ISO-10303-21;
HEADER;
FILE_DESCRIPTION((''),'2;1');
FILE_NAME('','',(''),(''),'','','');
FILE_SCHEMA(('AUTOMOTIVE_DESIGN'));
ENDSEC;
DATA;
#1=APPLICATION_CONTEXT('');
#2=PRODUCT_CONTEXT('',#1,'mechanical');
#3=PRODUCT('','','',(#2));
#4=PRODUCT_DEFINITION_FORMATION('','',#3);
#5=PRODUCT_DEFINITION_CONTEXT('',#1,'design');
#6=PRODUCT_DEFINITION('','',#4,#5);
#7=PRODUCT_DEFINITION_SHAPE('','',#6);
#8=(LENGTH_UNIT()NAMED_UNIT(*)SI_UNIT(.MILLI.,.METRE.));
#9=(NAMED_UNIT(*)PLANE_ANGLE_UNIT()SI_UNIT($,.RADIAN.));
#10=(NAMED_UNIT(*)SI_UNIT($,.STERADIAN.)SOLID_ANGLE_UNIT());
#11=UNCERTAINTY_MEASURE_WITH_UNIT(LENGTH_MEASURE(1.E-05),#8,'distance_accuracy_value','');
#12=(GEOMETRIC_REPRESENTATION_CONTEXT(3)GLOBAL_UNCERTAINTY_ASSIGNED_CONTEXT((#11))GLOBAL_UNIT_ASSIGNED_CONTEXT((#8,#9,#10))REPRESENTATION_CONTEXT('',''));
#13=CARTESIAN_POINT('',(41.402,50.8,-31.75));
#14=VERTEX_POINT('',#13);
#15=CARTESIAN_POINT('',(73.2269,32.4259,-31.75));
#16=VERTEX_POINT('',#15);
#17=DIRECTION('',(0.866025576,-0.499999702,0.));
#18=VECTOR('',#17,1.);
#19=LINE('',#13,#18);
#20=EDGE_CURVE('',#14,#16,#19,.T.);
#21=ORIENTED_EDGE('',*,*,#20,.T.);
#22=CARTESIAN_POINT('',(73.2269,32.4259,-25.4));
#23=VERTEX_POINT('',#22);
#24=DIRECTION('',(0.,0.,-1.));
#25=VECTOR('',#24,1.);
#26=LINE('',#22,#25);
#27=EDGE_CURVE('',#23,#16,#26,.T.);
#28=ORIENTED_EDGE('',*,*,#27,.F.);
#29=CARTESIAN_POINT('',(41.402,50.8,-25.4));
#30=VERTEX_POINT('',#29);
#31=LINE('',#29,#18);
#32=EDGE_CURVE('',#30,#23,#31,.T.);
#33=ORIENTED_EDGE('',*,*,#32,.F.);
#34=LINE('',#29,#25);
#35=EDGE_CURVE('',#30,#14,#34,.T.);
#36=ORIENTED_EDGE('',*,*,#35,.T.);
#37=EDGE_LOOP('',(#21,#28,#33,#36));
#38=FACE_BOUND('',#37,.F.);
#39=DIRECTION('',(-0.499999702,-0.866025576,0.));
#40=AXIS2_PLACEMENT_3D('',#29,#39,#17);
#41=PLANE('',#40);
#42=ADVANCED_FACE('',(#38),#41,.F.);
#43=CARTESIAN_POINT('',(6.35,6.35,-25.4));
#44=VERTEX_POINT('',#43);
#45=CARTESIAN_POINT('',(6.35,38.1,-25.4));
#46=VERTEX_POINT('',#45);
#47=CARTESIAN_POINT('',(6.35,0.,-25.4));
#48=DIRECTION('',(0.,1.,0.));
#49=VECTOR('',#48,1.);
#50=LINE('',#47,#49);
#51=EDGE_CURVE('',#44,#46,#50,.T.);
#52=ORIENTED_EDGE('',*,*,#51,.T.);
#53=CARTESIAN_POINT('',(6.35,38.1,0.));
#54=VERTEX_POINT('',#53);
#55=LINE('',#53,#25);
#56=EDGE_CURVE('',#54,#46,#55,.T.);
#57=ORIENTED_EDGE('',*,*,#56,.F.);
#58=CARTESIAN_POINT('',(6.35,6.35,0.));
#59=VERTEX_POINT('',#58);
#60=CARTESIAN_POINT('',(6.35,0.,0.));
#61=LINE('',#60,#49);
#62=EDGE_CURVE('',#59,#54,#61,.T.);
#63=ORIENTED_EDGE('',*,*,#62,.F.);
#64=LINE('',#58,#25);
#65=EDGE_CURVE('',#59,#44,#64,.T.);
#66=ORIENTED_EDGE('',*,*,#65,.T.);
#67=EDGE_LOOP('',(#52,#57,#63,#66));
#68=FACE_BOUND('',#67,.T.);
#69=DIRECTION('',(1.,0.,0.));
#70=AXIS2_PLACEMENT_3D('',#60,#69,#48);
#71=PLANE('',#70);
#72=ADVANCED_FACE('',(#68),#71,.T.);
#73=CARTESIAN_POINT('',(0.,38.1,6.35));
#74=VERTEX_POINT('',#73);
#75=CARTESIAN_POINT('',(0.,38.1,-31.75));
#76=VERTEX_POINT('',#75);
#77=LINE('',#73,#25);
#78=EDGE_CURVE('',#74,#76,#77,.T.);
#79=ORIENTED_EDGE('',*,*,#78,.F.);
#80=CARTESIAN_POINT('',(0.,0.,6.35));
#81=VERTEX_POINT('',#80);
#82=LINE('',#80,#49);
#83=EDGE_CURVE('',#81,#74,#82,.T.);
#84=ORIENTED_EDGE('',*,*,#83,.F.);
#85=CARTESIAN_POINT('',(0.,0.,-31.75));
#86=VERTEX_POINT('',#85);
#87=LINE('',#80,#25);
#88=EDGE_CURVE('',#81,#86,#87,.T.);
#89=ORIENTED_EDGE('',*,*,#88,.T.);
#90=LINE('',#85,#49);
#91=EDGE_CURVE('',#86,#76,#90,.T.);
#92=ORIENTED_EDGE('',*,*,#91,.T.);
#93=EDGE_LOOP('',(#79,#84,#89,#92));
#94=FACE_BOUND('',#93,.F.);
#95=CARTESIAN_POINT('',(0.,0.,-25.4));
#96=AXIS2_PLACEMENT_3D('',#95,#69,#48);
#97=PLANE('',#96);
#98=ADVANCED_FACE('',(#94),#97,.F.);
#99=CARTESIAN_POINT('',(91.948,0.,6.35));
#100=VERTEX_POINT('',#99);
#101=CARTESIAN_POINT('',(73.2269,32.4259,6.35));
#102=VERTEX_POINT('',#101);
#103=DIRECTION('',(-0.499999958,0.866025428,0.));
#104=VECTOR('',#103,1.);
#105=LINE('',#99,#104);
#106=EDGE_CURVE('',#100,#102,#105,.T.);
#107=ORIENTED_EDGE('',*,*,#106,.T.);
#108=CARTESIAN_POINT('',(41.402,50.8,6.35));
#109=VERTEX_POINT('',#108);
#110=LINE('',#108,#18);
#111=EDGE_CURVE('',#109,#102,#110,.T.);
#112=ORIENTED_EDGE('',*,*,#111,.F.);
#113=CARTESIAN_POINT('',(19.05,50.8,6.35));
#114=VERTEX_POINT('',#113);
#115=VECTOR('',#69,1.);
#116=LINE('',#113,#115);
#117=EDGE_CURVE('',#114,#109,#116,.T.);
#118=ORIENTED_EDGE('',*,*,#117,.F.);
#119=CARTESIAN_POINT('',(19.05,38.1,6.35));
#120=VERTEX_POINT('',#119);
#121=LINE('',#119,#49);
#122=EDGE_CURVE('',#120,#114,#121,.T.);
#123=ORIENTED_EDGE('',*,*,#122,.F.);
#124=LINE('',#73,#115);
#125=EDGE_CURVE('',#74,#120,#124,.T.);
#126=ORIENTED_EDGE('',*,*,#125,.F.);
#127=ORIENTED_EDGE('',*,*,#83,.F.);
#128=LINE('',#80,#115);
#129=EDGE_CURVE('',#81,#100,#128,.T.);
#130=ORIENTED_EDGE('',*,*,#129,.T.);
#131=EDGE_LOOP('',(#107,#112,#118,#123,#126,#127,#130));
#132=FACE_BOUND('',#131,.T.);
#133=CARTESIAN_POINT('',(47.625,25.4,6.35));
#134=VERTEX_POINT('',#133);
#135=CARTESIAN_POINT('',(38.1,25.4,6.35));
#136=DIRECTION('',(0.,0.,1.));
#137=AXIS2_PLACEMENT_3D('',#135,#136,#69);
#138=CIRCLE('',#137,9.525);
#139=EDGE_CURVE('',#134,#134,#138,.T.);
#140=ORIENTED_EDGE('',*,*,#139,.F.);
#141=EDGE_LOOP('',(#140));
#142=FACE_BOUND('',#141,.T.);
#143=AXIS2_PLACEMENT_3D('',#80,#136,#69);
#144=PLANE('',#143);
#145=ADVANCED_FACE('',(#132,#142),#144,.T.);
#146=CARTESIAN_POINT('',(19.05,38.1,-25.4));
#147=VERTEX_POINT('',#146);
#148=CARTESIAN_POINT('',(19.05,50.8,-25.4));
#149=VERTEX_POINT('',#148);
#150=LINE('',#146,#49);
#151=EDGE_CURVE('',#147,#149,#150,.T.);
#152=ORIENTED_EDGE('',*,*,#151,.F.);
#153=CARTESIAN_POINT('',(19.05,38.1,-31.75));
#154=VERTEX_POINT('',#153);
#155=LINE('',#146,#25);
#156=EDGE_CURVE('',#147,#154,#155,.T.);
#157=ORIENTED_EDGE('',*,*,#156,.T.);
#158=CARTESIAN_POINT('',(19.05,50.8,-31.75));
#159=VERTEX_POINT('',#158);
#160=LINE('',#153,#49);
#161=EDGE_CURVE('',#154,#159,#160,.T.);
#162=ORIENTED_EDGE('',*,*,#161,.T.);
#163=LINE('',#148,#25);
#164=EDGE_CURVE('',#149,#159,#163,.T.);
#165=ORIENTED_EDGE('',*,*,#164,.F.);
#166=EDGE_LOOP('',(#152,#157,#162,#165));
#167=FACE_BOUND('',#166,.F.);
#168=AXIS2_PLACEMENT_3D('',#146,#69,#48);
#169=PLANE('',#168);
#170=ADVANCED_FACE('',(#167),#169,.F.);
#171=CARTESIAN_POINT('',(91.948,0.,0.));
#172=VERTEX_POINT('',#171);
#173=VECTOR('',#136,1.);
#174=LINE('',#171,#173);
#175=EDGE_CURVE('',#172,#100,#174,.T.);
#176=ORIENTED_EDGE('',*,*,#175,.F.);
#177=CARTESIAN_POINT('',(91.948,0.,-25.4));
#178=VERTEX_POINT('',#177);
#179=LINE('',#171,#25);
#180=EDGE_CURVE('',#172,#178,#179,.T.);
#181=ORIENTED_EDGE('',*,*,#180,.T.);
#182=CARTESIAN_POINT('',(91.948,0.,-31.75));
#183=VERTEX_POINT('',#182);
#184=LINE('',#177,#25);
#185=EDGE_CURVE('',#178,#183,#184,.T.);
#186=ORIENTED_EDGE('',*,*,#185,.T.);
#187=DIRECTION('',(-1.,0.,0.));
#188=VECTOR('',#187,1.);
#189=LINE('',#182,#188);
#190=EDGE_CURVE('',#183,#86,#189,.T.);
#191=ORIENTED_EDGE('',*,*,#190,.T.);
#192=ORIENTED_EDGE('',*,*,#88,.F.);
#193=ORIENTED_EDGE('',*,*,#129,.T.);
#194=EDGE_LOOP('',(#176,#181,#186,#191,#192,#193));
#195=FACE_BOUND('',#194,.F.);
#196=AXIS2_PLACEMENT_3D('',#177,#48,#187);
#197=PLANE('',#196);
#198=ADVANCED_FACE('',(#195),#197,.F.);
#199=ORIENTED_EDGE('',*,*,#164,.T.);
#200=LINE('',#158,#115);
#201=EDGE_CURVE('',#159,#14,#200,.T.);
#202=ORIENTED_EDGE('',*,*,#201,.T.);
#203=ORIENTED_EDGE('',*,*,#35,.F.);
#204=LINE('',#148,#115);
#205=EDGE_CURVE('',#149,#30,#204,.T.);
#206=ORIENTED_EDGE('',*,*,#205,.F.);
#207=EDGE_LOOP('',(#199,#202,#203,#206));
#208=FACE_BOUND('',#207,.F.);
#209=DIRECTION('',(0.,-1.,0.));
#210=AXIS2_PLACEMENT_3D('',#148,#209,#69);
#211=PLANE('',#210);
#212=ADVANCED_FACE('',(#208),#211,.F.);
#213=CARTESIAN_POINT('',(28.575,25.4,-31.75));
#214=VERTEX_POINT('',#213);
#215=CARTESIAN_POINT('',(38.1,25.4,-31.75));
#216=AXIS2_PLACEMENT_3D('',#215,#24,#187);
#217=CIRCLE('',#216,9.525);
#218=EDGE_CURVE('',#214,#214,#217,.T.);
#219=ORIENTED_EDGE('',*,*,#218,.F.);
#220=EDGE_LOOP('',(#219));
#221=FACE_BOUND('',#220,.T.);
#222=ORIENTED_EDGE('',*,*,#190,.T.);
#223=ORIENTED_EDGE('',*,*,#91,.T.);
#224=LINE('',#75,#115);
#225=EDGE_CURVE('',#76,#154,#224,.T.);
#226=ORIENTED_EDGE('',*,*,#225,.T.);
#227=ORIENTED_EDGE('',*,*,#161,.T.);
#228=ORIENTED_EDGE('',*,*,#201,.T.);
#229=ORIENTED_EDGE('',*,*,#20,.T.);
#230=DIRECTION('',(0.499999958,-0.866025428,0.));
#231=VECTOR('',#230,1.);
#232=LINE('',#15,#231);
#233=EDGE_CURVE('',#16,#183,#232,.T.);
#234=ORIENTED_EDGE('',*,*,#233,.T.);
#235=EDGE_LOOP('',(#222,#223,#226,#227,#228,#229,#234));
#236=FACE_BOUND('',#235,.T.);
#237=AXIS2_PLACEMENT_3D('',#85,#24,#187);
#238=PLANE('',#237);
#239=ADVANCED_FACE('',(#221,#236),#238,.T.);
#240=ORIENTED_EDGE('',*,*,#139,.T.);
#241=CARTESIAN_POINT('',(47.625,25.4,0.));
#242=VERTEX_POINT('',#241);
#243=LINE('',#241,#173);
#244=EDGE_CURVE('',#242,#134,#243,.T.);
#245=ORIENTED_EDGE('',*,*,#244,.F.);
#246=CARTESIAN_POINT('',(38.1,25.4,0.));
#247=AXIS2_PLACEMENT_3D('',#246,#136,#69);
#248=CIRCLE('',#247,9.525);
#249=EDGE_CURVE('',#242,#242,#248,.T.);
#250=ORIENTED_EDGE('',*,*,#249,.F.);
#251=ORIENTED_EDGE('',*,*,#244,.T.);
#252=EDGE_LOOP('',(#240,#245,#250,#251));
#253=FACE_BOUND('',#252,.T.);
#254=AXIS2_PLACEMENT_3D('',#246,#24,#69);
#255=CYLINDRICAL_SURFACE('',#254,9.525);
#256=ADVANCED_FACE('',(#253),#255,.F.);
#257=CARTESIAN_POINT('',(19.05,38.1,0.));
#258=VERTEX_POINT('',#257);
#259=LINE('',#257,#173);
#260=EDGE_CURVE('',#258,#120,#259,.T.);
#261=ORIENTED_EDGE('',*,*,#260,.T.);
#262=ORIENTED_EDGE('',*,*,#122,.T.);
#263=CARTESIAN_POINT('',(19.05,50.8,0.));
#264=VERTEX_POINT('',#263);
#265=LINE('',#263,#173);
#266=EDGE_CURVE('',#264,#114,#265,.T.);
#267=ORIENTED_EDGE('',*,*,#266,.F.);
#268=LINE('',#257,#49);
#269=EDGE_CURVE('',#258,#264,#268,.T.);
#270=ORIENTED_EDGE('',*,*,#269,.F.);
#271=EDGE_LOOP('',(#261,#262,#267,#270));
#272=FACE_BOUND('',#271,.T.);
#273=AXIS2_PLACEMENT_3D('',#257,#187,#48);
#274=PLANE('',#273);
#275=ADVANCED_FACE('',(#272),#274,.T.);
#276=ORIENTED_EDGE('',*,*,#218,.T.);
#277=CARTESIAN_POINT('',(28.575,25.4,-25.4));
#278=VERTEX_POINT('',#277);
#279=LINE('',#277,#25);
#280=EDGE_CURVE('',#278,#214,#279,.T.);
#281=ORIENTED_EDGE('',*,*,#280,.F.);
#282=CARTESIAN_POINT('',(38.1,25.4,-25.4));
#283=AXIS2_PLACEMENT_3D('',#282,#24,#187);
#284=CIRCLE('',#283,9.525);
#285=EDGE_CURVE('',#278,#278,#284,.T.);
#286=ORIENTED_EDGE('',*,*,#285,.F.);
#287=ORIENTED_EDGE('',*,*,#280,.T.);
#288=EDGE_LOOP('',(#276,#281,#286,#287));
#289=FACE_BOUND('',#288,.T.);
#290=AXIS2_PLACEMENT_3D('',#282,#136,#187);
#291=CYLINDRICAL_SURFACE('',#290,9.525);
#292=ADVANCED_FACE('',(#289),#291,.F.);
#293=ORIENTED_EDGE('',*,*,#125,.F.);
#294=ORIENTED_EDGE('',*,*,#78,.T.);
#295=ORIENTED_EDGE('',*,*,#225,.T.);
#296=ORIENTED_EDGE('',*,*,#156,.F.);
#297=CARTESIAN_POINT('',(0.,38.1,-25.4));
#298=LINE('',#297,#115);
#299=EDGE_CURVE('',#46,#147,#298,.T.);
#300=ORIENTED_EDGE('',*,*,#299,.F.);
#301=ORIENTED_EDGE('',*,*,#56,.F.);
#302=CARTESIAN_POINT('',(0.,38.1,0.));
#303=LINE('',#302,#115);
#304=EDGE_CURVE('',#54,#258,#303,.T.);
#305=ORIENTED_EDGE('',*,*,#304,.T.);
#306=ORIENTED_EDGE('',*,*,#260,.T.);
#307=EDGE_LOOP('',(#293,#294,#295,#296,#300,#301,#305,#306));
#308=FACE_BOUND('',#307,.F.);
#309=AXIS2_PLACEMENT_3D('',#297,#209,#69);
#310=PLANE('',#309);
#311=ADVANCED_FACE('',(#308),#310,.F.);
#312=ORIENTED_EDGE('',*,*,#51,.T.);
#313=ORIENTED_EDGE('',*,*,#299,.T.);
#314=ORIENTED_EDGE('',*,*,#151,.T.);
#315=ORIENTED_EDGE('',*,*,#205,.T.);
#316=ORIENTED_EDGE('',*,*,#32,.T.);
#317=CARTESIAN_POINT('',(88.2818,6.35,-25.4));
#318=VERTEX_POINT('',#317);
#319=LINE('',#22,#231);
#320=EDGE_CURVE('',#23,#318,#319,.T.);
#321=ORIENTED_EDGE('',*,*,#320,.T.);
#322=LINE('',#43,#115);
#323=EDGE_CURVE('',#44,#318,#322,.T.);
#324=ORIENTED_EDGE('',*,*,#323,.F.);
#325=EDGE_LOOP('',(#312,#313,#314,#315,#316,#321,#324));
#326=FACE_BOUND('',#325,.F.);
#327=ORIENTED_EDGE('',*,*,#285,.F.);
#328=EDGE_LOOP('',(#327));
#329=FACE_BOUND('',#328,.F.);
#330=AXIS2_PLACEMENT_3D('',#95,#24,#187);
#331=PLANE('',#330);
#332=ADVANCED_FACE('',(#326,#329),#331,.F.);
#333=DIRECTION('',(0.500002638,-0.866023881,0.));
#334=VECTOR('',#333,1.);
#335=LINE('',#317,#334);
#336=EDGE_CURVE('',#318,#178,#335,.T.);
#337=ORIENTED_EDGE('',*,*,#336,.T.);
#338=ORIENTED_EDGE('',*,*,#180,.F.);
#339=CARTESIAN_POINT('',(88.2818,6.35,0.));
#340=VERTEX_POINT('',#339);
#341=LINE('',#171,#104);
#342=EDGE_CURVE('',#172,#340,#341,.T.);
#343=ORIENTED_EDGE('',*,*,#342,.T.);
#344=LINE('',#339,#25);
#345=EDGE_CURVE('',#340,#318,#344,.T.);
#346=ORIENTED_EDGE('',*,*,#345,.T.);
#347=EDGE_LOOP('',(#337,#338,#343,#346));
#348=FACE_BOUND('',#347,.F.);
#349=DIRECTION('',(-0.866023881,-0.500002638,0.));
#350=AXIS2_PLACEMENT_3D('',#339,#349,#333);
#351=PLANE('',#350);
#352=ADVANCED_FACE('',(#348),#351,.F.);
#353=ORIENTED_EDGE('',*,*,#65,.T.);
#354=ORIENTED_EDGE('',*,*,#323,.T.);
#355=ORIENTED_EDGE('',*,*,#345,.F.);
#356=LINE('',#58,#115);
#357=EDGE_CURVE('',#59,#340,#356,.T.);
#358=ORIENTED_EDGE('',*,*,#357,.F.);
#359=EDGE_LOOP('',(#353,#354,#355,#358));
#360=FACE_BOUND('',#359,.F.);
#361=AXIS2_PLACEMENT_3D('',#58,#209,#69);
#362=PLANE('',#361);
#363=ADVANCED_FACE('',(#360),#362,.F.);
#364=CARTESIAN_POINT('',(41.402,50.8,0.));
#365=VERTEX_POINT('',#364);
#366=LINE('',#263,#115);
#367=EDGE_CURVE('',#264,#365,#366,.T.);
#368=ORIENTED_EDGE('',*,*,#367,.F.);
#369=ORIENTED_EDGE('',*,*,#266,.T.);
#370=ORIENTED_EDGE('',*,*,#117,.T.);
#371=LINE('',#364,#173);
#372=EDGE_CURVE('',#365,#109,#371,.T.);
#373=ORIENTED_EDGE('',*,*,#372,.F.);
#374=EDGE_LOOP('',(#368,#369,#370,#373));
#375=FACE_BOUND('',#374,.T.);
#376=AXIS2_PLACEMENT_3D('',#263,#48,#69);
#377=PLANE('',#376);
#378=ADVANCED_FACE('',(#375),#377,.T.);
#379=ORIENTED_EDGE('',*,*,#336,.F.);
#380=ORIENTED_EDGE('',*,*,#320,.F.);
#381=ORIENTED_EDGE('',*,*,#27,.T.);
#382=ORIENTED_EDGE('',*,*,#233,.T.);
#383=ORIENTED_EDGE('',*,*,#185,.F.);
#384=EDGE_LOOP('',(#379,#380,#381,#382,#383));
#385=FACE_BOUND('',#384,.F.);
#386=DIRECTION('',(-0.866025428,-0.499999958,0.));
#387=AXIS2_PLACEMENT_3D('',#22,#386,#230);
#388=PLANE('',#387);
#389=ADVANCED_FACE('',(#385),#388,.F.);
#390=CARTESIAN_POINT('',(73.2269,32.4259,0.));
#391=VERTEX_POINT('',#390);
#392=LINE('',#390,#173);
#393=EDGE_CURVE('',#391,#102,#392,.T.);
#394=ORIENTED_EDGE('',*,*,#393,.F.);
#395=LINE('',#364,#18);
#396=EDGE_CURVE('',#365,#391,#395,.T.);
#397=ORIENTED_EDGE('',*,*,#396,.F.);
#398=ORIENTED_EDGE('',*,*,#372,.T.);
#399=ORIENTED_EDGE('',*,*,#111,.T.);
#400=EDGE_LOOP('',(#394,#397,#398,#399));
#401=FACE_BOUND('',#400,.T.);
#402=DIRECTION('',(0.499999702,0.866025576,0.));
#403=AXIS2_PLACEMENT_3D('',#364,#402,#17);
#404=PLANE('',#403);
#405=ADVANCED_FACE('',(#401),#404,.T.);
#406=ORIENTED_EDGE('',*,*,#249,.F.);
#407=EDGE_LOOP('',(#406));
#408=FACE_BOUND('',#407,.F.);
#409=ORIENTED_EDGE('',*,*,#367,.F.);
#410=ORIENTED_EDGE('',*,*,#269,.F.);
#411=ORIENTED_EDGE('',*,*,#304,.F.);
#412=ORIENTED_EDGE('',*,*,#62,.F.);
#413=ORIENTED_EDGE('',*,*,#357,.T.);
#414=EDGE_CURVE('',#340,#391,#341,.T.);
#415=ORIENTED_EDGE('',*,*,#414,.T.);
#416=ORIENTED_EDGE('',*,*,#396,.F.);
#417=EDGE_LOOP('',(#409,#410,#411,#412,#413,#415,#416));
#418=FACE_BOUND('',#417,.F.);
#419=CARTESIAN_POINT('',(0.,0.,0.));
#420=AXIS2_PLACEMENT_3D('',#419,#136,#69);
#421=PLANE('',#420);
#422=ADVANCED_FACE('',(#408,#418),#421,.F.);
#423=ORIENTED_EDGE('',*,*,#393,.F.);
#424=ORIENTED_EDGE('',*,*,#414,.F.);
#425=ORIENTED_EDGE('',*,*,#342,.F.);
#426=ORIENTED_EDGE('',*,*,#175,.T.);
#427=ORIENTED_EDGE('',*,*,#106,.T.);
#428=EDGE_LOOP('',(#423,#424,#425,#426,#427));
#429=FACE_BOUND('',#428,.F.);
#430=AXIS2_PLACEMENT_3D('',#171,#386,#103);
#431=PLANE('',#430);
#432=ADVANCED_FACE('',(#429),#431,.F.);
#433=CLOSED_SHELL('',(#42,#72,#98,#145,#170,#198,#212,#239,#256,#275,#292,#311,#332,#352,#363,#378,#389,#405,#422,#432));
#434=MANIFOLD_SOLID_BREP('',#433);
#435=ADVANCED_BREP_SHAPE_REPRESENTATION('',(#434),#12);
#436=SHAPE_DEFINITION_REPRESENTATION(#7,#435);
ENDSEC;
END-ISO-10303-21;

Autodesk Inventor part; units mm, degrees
ref_plane "YZ Plane" through (0, 0, 0) normal (1, 0, 0) x (0, 1, 0)
ref_plane "XZ Plane" through (0, 0, 0) normal (0, 1, 0) x (-1, 0, 0)
ref_plane "XY Plane" through (0, 0, 0) normal (0, 0, 1) x (1, 0, 0)
sketch "Sketch1" plane through (0, 0, 0) normal (0, 0, 1) x (1, 0, 0)
  line L0 (0, 0) -> (91.948, 0)
  line L1 (0, 0) -> (0, 38.1)
  line L2 (0, 38.1) -> (19.05, 38.1)
  line L3 (19.05, 38.1) -> (19.05, 50.8)
  line L4 (19.05, 50.8) -> (41.402, 50.8)
  line L5 (91.948, 0) -> (223.0777, 0) construction
  line L6 (41.402, 50.8) -> (73.2269, 32.4259)
  line L7 (91.948, 0) -> (73.2269, 32.4259)
  circle A0 centre (38.1, 25.4) radius 9.525
  dimension "d3" = 12.7
  dimension "d7" = 19.05
  dimension "d8" = 50.8
  dimension "d9" = 41.402
  dimension "d10" = 60
  dimension "d11" = 30
  dimension "d12" = 19.05
  dimension "d13" = 38.1
  dimension "d14" = 25.4
extrude "Extrusion1" add sketch "Sketch1" along normal blind 6.35
sketch "Sketch2" plane through (0, 0, 0) normal (0, 0, -1) x (-1, 0, 0)
  line L0 (-19.05, 38.1) -> (0, 38.1) projected
  line L1 (0, 0) -> (-6.35, 0)
  line L2 (-6.35, 0) -> (-6.35, 38.1)
  line L3 (-6.35, 38.1) -> (0, 38.1)
  line L4 (0, 38.1) -> (0, 0)
  dimension "d17" = 6.35
extrude "Extrusion2" add sketch "Sketch2" along normal blind 25.4
sketch "Sketch3" plane through (0, 0, 0) normal (0, 0, -1) x (-1, 0, 0)
  point P0 (0, 0)
sketch "Sketch4" plane through (0, 0, 0) normal (0, 0, -1) x (-1, 0, 0)
  line L0 (-6.35, 0) -> (-6.35, 6.35)
  line L1 (-6.35, 0) -> (-6.35, 38.1) projected
  line L2 (-6.35, 6.35) -> (-88.2818, 6.35)
  line L3 (-88.2818, 6.35) -> (-91.948, 0)
  line L4 (-91.948, 0) -> (-73.2269, 32.4259) projected
  line L5 (-91.948, 0) -> (-6.35, 0)
  line L6 (0, 0) -> (-91.948, 0) projected
  dimension "d21" = 6.35
extrude "Extrusion3" add sketch "Sketch4" along normal blind 25.4
sketch "Sketch5" plane through (0, 0, -25.4) normal (0, 0, -1) x (-1, 0, 0)
  point P0 (0, 0)
sketch "Sketch6" plane through (0, 0, -25.4) normal (0, 0, -1) x (-1, 0, 0)
  line L0 (0, 0) -> (0, 38.1)
  line L1 (0, 38.1) -> (-19.05, 38.1)
  line L2 (-19.05, 38.1) -> (-19.05, 50.8)
  line L3 (-19.05, 50.8) -> (-41.402, 50.8)
  line L4 (-41.402, 50.8) -> (-73.2269, 32.4259)
  line L5 (-73.2269, 32.4259) -> (-91.948, 0)
  line L6 (-91.948, 0) -> (0, 0)
  line L7 (0, 0) -> (-91.948, 0) projected
  circle A0 centre (-38.1, 25.4) radius 9.525
  dimension "d24" = 19.05
  dimension "d25" = 38.1
  dimension "d26" = 25.4
extrude "Extrusion4" add sketch "Sketch6" along normal blind 6.35
properties part number "2.4 Tutorial"
